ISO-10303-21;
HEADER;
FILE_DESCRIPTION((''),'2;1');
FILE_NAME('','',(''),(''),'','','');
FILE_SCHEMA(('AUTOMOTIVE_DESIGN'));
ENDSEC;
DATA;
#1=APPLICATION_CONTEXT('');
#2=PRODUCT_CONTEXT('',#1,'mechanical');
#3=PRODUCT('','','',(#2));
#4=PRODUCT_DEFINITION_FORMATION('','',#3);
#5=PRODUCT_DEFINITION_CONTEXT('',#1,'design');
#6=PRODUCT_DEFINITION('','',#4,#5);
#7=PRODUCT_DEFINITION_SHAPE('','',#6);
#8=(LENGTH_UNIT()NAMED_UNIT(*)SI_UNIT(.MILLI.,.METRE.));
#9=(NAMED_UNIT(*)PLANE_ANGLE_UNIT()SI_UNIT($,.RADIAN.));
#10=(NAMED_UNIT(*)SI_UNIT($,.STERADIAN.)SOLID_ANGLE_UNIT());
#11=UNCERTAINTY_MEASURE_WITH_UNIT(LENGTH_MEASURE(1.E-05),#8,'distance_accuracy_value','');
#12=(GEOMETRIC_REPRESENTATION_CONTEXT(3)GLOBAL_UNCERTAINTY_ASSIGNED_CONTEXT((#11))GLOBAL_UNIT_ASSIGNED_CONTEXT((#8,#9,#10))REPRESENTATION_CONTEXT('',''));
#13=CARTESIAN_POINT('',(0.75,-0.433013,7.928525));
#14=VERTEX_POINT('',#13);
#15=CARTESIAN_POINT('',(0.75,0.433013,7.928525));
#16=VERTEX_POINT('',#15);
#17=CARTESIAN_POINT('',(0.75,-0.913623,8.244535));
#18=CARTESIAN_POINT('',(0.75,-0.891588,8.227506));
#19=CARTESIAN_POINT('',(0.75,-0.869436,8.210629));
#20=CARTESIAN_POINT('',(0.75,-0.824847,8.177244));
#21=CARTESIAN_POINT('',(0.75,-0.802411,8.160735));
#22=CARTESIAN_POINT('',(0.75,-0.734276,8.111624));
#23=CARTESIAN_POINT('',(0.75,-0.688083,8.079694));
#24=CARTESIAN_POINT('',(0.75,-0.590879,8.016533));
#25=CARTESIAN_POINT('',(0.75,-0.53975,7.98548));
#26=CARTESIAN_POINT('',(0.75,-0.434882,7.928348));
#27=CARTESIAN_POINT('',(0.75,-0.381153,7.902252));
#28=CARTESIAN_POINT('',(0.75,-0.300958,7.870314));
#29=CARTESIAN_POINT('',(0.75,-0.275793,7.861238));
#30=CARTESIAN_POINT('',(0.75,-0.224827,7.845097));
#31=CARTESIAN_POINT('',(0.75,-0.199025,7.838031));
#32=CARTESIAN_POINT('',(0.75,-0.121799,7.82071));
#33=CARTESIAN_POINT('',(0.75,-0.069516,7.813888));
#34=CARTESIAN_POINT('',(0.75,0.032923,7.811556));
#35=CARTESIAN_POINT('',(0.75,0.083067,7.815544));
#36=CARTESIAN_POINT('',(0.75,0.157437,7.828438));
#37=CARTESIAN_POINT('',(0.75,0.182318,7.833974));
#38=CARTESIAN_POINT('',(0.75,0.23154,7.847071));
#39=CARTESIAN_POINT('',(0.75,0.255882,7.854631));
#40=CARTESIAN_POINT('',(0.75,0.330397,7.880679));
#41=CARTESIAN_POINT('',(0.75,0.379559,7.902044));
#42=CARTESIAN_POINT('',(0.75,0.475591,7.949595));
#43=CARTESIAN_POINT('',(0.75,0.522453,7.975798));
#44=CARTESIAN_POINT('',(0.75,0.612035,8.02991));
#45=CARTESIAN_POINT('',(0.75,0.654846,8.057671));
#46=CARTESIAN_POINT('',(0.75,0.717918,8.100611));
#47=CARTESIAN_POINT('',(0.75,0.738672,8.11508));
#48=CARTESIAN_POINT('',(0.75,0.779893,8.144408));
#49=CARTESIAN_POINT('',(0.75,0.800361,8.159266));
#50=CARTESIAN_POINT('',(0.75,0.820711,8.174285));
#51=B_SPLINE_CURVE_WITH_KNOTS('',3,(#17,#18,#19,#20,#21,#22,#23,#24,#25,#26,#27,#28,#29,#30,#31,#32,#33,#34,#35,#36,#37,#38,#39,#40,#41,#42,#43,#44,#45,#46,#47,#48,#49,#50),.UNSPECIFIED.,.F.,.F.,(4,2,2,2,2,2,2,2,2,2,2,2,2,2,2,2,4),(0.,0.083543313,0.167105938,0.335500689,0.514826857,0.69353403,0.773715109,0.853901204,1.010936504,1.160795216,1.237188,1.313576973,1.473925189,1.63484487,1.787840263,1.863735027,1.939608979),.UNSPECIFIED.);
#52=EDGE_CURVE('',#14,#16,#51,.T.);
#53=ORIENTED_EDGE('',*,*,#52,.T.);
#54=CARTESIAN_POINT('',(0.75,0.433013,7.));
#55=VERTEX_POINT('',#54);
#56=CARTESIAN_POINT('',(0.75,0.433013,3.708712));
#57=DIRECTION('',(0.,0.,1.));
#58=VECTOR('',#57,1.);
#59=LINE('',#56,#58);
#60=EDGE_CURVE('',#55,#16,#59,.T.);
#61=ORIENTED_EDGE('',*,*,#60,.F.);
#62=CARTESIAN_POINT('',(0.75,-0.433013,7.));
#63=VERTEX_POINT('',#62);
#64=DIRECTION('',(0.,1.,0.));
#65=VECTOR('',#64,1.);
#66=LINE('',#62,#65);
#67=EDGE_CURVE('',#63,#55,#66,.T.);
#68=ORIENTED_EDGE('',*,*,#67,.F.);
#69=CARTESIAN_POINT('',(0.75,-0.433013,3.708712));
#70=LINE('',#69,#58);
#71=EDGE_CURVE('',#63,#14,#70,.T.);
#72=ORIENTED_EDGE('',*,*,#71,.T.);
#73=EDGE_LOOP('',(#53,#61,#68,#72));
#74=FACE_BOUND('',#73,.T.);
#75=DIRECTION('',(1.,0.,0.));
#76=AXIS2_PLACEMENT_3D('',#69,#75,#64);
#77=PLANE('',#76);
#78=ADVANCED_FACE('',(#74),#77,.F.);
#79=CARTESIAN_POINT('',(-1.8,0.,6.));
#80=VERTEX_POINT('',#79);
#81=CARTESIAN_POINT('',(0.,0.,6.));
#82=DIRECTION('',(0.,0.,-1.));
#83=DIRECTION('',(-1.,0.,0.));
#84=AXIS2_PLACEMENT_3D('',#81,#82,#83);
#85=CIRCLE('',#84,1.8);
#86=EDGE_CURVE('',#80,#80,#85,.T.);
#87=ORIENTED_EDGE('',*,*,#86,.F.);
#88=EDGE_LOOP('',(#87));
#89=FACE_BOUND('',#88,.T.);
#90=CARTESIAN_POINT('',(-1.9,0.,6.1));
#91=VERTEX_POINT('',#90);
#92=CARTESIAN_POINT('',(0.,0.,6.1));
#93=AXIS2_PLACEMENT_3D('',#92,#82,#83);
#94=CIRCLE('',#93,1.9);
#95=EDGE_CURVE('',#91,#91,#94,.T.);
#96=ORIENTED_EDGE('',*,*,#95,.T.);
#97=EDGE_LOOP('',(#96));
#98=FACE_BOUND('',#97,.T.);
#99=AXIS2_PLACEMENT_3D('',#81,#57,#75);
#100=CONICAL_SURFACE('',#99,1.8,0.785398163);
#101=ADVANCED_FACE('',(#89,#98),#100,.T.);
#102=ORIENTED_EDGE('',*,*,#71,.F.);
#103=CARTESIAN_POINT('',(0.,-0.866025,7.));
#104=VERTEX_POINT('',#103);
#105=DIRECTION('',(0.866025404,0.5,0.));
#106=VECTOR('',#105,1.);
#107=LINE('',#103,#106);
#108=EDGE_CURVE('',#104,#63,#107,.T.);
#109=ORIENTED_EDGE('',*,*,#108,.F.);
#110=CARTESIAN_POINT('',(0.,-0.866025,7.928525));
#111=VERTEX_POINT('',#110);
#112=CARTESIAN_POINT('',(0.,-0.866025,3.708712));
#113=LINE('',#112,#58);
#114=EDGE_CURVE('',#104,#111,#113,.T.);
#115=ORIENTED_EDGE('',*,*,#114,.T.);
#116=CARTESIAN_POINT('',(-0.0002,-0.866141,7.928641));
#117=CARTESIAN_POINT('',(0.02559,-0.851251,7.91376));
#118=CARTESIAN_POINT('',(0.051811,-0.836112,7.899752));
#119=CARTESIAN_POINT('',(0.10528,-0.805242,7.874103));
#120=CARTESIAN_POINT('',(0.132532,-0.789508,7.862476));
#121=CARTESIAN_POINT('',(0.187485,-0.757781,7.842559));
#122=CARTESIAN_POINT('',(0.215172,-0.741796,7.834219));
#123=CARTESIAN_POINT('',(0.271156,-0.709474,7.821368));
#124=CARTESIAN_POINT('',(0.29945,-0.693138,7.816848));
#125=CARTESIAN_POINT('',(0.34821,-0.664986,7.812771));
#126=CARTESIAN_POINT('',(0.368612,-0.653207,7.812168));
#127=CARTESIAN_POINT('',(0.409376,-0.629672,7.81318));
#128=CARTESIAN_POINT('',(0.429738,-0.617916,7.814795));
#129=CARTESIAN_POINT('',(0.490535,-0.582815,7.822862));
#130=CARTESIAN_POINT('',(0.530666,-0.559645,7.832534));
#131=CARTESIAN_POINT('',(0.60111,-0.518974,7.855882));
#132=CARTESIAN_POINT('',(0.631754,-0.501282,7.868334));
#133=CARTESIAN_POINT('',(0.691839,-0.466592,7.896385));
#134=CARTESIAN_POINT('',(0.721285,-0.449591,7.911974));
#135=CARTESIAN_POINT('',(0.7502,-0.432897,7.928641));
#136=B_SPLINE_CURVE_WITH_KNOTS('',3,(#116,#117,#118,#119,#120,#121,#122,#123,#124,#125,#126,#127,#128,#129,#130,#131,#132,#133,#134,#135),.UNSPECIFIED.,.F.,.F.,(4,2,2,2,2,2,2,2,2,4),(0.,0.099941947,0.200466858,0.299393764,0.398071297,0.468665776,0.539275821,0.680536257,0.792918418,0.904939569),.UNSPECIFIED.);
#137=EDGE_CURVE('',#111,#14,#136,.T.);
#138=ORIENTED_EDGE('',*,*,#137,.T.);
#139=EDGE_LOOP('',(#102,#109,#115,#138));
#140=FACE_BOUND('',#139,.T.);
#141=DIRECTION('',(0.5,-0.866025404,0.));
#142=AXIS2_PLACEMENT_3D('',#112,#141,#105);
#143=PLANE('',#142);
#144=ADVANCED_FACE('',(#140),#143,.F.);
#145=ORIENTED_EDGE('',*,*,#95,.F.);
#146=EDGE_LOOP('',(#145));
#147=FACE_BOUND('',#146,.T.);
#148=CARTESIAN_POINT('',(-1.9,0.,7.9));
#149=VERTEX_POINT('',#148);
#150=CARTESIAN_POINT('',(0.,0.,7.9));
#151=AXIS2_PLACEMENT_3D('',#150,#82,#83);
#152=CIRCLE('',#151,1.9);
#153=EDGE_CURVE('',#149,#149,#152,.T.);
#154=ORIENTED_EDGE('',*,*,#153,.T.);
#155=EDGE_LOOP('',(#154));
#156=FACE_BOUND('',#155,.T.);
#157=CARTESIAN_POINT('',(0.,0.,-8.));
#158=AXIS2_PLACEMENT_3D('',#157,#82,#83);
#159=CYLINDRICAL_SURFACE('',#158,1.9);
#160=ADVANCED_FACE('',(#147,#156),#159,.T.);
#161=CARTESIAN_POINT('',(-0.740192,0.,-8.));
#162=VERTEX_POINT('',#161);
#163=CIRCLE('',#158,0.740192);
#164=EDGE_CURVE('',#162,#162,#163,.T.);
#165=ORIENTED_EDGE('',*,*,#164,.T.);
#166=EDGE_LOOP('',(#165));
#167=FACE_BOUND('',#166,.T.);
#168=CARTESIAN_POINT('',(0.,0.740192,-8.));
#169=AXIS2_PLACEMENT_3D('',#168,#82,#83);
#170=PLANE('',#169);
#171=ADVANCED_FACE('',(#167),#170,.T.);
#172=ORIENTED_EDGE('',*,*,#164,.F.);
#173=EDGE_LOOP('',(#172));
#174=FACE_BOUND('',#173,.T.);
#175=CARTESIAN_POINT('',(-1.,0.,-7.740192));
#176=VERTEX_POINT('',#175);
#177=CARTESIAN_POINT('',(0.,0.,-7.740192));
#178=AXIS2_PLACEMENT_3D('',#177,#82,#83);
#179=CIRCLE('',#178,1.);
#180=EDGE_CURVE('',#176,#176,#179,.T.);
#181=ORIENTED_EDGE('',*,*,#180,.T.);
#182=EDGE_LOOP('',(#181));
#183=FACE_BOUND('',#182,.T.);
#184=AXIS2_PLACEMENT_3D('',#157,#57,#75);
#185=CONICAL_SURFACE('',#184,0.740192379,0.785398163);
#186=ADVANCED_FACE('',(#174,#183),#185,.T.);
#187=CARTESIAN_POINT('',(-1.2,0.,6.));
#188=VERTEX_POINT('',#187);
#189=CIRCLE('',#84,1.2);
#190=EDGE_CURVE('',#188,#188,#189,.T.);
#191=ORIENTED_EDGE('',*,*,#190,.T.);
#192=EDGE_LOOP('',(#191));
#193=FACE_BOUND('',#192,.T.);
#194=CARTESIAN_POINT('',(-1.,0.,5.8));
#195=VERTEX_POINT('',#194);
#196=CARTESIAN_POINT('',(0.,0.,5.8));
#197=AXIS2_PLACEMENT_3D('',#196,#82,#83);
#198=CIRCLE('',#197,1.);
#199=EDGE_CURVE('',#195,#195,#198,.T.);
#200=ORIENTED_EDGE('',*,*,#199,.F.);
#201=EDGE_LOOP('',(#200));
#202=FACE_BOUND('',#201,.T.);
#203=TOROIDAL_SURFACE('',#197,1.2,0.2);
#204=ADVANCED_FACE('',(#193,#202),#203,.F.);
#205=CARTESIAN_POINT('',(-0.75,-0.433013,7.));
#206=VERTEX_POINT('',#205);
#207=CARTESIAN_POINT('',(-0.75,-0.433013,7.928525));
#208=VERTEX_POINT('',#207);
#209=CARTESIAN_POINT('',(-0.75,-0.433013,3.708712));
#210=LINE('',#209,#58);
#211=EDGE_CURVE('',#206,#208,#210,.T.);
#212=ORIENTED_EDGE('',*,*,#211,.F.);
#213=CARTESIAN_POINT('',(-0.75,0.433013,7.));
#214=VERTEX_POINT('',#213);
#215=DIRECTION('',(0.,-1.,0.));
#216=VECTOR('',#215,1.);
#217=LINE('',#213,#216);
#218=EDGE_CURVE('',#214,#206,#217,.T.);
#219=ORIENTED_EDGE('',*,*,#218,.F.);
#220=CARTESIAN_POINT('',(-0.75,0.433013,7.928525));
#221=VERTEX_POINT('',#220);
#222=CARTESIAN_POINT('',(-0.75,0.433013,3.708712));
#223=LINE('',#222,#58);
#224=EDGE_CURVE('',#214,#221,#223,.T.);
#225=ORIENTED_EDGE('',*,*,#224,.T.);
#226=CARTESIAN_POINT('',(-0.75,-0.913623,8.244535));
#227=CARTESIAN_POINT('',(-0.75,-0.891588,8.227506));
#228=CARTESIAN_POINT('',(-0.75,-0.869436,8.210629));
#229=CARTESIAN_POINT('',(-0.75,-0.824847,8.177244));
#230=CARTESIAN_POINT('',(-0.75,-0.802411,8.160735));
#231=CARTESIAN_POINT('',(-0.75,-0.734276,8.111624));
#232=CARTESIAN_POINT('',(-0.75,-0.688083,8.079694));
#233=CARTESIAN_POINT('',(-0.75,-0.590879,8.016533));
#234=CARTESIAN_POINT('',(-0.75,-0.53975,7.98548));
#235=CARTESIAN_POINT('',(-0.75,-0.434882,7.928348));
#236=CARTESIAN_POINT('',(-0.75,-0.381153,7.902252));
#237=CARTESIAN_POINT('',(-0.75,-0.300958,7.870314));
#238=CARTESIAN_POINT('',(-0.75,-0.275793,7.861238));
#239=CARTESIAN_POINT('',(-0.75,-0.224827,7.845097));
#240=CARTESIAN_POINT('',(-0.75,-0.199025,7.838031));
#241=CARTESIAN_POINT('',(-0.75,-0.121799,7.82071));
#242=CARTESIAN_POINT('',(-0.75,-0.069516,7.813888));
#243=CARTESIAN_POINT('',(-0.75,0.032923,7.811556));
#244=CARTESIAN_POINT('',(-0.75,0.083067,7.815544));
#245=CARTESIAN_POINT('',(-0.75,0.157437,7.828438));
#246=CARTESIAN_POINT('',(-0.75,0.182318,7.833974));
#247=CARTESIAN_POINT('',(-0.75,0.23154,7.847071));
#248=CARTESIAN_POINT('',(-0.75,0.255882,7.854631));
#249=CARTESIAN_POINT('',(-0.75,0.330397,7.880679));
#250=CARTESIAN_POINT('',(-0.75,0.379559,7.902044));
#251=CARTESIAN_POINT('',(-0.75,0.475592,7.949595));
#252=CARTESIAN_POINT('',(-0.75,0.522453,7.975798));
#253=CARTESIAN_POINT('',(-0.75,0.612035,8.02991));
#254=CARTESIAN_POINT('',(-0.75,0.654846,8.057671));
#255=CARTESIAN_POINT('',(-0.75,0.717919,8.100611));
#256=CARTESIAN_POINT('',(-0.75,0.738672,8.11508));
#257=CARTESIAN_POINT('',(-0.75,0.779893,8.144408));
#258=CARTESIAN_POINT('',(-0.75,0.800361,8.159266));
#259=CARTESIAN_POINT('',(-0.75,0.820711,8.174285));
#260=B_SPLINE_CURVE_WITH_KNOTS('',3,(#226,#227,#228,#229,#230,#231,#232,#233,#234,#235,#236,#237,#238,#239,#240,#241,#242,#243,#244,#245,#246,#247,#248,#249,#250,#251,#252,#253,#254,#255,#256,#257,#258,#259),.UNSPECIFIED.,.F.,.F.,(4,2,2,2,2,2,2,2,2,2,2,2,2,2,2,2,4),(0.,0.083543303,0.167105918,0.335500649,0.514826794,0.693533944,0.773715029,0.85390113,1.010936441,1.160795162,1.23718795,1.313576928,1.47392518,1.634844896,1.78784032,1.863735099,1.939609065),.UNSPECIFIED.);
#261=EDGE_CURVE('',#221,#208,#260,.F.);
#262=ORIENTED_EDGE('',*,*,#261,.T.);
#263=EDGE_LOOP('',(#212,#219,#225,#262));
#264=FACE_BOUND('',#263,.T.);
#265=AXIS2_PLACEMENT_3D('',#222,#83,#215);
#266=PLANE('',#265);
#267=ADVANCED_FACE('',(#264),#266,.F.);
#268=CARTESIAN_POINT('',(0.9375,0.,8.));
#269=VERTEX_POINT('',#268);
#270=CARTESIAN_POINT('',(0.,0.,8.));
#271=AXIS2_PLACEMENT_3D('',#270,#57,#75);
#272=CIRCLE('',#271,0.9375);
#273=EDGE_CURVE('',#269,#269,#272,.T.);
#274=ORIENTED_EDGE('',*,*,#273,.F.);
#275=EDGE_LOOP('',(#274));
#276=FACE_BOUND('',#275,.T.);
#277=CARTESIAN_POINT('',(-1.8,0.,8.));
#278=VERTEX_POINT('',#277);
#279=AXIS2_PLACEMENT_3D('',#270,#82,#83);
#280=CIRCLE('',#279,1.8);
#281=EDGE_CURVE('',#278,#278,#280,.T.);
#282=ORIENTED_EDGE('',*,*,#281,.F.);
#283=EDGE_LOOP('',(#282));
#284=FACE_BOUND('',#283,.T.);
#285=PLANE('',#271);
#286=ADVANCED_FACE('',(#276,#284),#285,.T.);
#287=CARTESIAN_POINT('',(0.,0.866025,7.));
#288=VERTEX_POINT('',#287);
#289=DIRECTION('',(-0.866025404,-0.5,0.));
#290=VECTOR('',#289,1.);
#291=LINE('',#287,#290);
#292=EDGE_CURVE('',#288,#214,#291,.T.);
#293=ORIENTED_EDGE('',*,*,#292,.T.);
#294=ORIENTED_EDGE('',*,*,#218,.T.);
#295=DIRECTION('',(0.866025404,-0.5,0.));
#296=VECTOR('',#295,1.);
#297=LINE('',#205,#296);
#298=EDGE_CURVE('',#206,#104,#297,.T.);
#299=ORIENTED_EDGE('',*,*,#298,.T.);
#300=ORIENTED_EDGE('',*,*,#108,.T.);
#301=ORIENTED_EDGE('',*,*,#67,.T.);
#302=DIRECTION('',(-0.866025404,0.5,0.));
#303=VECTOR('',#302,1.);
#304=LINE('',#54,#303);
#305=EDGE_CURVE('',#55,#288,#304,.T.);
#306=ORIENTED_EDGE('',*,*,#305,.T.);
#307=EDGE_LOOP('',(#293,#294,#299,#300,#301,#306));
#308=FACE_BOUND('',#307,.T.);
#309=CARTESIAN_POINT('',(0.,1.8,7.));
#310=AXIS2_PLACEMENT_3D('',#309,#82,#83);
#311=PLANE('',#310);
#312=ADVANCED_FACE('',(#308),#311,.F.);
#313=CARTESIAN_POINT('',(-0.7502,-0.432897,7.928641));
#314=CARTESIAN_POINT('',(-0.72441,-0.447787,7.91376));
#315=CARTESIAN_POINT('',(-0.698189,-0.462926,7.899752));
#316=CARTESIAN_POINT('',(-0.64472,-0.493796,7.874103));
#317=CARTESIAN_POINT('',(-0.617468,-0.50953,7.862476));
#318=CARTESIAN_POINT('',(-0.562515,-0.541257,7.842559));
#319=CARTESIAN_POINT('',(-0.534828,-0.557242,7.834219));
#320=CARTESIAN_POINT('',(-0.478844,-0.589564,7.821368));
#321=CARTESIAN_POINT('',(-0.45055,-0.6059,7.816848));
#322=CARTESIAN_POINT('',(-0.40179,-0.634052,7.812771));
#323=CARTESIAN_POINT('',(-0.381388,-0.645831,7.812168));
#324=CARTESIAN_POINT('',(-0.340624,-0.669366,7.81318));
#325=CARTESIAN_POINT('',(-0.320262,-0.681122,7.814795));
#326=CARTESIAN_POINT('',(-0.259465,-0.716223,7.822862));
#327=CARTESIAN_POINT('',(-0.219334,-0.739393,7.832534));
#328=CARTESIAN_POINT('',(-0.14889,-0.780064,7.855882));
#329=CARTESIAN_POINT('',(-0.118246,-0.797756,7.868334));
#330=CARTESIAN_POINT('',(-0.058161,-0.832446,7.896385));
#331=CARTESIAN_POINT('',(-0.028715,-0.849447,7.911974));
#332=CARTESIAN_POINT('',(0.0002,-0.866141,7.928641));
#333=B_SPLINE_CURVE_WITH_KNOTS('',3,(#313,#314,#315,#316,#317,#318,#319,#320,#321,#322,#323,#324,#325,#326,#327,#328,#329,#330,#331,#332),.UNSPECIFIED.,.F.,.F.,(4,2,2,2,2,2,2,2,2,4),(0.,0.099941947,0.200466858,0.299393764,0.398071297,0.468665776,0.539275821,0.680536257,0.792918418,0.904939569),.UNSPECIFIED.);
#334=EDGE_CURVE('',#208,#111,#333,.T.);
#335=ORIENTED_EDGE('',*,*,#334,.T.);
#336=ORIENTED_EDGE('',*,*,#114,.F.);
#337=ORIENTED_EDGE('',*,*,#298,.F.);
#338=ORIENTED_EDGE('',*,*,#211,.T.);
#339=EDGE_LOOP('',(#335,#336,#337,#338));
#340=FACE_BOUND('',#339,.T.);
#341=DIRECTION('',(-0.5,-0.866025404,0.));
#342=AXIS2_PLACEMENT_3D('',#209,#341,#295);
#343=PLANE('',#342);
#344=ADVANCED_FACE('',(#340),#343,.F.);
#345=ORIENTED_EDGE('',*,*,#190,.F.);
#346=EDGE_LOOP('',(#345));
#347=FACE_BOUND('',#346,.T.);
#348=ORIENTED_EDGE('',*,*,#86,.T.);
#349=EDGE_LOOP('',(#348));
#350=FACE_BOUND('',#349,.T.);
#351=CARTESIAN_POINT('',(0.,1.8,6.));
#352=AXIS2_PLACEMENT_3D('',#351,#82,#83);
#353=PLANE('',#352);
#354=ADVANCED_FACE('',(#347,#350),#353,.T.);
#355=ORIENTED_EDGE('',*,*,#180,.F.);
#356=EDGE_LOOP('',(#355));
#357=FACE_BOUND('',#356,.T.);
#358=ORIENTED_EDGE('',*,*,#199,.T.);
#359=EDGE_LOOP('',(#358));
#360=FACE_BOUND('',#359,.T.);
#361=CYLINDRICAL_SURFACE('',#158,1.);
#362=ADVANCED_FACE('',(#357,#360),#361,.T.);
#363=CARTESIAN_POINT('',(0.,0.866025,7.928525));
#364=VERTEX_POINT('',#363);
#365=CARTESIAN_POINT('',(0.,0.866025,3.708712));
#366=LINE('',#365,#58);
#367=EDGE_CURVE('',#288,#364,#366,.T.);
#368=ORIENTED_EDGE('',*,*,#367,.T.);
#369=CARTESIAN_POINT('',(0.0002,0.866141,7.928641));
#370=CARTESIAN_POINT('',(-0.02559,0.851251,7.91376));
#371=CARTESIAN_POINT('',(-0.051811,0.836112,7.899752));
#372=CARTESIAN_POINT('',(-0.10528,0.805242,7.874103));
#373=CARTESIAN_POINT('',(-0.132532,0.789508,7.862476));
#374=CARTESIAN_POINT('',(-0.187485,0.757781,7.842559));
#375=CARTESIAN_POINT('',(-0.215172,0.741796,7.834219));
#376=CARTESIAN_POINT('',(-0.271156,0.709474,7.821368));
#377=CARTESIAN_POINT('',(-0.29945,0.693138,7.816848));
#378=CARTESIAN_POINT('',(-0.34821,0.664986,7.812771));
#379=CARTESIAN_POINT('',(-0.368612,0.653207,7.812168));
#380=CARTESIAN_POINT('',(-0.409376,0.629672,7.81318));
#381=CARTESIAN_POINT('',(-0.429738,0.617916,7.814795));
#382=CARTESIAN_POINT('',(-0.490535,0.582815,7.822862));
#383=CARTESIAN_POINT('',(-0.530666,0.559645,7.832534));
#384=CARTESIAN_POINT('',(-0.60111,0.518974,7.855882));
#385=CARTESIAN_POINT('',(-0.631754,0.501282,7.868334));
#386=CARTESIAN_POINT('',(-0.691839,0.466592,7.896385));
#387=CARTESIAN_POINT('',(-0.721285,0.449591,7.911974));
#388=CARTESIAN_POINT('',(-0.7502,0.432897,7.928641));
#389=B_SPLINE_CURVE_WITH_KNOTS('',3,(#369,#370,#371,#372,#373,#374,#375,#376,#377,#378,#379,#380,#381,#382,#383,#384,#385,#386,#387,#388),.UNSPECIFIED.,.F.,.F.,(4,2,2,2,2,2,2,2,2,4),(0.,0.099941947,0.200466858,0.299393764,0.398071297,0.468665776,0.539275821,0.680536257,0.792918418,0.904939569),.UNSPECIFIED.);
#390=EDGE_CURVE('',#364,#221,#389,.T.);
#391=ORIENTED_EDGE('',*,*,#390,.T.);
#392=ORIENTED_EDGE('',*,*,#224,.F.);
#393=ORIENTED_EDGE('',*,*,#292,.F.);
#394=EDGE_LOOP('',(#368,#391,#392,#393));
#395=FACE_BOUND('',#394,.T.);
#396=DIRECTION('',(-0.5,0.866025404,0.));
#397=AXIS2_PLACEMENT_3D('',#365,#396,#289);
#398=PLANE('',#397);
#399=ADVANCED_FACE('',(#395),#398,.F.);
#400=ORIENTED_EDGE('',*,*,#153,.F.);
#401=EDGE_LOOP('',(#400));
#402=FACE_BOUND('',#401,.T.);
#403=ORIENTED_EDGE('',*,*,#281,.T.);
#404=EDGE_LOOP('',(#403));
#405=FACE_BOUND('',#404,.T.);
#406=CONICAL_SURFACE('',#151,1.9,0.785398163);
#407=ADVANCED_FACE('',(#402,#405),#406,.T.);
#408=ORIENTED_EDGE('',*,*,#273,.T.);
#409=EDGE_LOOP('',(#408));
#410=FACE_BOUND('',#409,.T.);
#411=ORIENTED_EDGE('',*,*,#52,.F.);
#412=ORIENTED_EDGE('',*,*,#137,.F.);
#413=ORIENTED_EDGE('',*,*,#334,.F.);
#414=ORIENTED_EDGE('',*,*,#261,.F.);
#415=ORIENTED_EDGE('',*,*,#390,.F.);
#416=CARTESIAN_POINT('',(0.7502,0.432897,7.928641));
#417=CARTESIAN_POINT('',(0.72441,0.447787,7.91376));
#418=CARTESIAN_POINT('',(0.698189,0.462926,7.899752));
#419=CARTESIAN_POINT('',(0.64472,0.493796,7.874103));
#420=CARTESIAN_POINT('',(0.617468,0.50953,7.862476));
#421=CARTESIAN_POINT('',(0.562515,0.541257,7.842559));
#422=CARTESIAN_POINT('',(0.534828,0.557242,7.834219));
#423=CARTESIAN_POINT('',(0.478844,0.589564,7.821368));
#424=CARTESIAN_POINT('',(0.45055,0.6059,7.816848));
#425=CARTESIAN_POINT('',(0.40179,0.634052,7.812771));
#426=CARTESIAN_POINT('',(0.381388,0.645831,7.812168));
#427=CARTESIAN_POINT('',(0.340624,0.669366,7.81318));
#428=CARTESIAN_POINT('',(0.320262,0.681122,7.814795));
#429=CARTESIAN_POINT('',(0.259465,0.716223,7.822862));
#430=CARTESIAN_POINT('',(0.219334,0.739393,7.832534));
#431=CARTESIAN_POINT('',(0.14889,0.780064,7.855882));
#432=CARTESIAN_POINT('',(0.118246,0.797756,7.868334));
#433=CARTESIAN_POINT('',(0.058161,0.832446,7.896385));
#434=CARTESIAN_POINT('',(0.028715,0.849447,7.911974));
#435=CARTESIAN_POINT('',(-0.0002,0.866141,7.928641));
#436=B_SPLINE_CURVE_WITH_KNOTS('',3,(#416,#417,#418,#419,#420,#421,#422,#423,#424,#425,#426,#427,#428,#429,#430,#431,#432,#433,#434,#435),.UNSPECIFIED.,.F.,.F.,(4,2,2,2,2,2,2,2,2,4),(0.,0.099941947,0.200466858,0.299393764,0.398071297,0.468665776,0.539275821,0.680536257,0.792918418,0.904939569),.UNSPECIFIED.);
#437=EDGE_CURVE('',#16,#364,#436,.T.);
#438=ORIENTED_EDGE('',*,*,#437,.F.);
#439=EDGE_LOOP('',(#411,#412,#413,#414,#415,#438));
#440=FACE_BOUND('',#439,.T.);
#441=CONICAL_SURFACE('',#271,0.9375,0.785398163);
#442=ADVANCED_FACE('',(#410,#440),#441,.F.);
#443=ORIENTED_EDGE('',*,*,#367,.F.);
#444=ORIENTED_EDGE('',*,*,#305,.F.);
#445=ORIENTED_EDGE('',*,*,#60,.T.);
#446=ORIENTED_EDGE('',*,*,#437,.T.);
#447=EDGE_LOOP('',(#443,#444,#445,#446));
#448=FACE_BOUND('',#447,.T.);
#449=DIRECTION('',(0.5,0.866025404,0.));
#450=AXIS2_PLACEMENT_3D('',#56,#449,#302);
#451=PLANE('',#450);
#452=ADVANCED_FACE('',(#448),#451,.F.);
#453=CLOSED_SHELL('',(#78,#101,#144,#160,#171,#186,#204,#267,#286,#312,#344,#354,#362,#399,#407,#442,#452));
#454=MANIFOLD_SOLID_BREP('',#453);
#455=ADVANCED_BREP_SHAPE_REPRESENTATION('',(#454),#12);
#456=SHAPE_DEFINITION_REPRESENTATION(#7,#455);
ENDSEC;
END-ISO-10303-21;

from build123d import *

# Parameters (mm, degrees)
CUT_EXTRUDE1_DEPTH = 1


with BuildPart() as part:
    # Sketch2 → Revolve1 (revolve)
    with BuildSketch(Plane(origin=(0, 0, 0), x_dir=(0, 0, -1), z_dir=(1, 0, 0)), mode=Mode.PRIVATE) as revolve1_sk:
        with BuildLine():
            Line((-8, 0), (-8, 1.8))
            Line((-8, 1.8), (-7.9, 1.9))
            Line((-7.9, 1.9), (-6.1, 1.9))
            Line((-6.1, 1.9), (-6, 1.8))
            Line((-6, 1.8), (-6, 1.2))
            ThreePointArc((-6, 1.2), (-5.941421356, 1.058578644), (-5.8, 1))
            Line((-5.8, 1), (7.740192379, 1))
            Line((7.740192379, 1), (8, 0.740192379))
            Line((8, 0.740192379), (8, 0))
            Line((8, 0), (-8, 0))
        make_face()
    revolve(revolve1_sk.sketch.rotate(Axis((0, 0, -8), (0, 0, 1)), 90), axis=Axis((0, 0, -8), (0, 0, 1)))

    # Sketch3 → Cut-Extrude1 (cut)
    with BuildSketch(Plane.XY.offset(8)):
        Polygon((0.75, -0.433012702), (0.75, 0.433012702), (0, 0.866025404), (-0.75, 0.433012702), (-0.75, -0.433012702), (0, -0.866025404), align=None)
    extrude(amount=-CUT_EXTRUDE1_DEPTH, mode=Mode.SUBTRACT)

    # Cut-Extrude2 cone 1 section (through the dimple's axis) → Cut-Extrude2 (revolve, cut)
    with BuildSketch(Plane(origin=(0, 0, 8), x_dir=(0, -1, 0), z_dir=(1, 0, 0))):
        Polygon((0, 0), (0.9375, 0), (0, 0.9375), align=None)
    revolve(axis=Axis((0, 0, 8), (0, 0, -1)), mode=Mode.SUBTRACT)


solid = part.part
